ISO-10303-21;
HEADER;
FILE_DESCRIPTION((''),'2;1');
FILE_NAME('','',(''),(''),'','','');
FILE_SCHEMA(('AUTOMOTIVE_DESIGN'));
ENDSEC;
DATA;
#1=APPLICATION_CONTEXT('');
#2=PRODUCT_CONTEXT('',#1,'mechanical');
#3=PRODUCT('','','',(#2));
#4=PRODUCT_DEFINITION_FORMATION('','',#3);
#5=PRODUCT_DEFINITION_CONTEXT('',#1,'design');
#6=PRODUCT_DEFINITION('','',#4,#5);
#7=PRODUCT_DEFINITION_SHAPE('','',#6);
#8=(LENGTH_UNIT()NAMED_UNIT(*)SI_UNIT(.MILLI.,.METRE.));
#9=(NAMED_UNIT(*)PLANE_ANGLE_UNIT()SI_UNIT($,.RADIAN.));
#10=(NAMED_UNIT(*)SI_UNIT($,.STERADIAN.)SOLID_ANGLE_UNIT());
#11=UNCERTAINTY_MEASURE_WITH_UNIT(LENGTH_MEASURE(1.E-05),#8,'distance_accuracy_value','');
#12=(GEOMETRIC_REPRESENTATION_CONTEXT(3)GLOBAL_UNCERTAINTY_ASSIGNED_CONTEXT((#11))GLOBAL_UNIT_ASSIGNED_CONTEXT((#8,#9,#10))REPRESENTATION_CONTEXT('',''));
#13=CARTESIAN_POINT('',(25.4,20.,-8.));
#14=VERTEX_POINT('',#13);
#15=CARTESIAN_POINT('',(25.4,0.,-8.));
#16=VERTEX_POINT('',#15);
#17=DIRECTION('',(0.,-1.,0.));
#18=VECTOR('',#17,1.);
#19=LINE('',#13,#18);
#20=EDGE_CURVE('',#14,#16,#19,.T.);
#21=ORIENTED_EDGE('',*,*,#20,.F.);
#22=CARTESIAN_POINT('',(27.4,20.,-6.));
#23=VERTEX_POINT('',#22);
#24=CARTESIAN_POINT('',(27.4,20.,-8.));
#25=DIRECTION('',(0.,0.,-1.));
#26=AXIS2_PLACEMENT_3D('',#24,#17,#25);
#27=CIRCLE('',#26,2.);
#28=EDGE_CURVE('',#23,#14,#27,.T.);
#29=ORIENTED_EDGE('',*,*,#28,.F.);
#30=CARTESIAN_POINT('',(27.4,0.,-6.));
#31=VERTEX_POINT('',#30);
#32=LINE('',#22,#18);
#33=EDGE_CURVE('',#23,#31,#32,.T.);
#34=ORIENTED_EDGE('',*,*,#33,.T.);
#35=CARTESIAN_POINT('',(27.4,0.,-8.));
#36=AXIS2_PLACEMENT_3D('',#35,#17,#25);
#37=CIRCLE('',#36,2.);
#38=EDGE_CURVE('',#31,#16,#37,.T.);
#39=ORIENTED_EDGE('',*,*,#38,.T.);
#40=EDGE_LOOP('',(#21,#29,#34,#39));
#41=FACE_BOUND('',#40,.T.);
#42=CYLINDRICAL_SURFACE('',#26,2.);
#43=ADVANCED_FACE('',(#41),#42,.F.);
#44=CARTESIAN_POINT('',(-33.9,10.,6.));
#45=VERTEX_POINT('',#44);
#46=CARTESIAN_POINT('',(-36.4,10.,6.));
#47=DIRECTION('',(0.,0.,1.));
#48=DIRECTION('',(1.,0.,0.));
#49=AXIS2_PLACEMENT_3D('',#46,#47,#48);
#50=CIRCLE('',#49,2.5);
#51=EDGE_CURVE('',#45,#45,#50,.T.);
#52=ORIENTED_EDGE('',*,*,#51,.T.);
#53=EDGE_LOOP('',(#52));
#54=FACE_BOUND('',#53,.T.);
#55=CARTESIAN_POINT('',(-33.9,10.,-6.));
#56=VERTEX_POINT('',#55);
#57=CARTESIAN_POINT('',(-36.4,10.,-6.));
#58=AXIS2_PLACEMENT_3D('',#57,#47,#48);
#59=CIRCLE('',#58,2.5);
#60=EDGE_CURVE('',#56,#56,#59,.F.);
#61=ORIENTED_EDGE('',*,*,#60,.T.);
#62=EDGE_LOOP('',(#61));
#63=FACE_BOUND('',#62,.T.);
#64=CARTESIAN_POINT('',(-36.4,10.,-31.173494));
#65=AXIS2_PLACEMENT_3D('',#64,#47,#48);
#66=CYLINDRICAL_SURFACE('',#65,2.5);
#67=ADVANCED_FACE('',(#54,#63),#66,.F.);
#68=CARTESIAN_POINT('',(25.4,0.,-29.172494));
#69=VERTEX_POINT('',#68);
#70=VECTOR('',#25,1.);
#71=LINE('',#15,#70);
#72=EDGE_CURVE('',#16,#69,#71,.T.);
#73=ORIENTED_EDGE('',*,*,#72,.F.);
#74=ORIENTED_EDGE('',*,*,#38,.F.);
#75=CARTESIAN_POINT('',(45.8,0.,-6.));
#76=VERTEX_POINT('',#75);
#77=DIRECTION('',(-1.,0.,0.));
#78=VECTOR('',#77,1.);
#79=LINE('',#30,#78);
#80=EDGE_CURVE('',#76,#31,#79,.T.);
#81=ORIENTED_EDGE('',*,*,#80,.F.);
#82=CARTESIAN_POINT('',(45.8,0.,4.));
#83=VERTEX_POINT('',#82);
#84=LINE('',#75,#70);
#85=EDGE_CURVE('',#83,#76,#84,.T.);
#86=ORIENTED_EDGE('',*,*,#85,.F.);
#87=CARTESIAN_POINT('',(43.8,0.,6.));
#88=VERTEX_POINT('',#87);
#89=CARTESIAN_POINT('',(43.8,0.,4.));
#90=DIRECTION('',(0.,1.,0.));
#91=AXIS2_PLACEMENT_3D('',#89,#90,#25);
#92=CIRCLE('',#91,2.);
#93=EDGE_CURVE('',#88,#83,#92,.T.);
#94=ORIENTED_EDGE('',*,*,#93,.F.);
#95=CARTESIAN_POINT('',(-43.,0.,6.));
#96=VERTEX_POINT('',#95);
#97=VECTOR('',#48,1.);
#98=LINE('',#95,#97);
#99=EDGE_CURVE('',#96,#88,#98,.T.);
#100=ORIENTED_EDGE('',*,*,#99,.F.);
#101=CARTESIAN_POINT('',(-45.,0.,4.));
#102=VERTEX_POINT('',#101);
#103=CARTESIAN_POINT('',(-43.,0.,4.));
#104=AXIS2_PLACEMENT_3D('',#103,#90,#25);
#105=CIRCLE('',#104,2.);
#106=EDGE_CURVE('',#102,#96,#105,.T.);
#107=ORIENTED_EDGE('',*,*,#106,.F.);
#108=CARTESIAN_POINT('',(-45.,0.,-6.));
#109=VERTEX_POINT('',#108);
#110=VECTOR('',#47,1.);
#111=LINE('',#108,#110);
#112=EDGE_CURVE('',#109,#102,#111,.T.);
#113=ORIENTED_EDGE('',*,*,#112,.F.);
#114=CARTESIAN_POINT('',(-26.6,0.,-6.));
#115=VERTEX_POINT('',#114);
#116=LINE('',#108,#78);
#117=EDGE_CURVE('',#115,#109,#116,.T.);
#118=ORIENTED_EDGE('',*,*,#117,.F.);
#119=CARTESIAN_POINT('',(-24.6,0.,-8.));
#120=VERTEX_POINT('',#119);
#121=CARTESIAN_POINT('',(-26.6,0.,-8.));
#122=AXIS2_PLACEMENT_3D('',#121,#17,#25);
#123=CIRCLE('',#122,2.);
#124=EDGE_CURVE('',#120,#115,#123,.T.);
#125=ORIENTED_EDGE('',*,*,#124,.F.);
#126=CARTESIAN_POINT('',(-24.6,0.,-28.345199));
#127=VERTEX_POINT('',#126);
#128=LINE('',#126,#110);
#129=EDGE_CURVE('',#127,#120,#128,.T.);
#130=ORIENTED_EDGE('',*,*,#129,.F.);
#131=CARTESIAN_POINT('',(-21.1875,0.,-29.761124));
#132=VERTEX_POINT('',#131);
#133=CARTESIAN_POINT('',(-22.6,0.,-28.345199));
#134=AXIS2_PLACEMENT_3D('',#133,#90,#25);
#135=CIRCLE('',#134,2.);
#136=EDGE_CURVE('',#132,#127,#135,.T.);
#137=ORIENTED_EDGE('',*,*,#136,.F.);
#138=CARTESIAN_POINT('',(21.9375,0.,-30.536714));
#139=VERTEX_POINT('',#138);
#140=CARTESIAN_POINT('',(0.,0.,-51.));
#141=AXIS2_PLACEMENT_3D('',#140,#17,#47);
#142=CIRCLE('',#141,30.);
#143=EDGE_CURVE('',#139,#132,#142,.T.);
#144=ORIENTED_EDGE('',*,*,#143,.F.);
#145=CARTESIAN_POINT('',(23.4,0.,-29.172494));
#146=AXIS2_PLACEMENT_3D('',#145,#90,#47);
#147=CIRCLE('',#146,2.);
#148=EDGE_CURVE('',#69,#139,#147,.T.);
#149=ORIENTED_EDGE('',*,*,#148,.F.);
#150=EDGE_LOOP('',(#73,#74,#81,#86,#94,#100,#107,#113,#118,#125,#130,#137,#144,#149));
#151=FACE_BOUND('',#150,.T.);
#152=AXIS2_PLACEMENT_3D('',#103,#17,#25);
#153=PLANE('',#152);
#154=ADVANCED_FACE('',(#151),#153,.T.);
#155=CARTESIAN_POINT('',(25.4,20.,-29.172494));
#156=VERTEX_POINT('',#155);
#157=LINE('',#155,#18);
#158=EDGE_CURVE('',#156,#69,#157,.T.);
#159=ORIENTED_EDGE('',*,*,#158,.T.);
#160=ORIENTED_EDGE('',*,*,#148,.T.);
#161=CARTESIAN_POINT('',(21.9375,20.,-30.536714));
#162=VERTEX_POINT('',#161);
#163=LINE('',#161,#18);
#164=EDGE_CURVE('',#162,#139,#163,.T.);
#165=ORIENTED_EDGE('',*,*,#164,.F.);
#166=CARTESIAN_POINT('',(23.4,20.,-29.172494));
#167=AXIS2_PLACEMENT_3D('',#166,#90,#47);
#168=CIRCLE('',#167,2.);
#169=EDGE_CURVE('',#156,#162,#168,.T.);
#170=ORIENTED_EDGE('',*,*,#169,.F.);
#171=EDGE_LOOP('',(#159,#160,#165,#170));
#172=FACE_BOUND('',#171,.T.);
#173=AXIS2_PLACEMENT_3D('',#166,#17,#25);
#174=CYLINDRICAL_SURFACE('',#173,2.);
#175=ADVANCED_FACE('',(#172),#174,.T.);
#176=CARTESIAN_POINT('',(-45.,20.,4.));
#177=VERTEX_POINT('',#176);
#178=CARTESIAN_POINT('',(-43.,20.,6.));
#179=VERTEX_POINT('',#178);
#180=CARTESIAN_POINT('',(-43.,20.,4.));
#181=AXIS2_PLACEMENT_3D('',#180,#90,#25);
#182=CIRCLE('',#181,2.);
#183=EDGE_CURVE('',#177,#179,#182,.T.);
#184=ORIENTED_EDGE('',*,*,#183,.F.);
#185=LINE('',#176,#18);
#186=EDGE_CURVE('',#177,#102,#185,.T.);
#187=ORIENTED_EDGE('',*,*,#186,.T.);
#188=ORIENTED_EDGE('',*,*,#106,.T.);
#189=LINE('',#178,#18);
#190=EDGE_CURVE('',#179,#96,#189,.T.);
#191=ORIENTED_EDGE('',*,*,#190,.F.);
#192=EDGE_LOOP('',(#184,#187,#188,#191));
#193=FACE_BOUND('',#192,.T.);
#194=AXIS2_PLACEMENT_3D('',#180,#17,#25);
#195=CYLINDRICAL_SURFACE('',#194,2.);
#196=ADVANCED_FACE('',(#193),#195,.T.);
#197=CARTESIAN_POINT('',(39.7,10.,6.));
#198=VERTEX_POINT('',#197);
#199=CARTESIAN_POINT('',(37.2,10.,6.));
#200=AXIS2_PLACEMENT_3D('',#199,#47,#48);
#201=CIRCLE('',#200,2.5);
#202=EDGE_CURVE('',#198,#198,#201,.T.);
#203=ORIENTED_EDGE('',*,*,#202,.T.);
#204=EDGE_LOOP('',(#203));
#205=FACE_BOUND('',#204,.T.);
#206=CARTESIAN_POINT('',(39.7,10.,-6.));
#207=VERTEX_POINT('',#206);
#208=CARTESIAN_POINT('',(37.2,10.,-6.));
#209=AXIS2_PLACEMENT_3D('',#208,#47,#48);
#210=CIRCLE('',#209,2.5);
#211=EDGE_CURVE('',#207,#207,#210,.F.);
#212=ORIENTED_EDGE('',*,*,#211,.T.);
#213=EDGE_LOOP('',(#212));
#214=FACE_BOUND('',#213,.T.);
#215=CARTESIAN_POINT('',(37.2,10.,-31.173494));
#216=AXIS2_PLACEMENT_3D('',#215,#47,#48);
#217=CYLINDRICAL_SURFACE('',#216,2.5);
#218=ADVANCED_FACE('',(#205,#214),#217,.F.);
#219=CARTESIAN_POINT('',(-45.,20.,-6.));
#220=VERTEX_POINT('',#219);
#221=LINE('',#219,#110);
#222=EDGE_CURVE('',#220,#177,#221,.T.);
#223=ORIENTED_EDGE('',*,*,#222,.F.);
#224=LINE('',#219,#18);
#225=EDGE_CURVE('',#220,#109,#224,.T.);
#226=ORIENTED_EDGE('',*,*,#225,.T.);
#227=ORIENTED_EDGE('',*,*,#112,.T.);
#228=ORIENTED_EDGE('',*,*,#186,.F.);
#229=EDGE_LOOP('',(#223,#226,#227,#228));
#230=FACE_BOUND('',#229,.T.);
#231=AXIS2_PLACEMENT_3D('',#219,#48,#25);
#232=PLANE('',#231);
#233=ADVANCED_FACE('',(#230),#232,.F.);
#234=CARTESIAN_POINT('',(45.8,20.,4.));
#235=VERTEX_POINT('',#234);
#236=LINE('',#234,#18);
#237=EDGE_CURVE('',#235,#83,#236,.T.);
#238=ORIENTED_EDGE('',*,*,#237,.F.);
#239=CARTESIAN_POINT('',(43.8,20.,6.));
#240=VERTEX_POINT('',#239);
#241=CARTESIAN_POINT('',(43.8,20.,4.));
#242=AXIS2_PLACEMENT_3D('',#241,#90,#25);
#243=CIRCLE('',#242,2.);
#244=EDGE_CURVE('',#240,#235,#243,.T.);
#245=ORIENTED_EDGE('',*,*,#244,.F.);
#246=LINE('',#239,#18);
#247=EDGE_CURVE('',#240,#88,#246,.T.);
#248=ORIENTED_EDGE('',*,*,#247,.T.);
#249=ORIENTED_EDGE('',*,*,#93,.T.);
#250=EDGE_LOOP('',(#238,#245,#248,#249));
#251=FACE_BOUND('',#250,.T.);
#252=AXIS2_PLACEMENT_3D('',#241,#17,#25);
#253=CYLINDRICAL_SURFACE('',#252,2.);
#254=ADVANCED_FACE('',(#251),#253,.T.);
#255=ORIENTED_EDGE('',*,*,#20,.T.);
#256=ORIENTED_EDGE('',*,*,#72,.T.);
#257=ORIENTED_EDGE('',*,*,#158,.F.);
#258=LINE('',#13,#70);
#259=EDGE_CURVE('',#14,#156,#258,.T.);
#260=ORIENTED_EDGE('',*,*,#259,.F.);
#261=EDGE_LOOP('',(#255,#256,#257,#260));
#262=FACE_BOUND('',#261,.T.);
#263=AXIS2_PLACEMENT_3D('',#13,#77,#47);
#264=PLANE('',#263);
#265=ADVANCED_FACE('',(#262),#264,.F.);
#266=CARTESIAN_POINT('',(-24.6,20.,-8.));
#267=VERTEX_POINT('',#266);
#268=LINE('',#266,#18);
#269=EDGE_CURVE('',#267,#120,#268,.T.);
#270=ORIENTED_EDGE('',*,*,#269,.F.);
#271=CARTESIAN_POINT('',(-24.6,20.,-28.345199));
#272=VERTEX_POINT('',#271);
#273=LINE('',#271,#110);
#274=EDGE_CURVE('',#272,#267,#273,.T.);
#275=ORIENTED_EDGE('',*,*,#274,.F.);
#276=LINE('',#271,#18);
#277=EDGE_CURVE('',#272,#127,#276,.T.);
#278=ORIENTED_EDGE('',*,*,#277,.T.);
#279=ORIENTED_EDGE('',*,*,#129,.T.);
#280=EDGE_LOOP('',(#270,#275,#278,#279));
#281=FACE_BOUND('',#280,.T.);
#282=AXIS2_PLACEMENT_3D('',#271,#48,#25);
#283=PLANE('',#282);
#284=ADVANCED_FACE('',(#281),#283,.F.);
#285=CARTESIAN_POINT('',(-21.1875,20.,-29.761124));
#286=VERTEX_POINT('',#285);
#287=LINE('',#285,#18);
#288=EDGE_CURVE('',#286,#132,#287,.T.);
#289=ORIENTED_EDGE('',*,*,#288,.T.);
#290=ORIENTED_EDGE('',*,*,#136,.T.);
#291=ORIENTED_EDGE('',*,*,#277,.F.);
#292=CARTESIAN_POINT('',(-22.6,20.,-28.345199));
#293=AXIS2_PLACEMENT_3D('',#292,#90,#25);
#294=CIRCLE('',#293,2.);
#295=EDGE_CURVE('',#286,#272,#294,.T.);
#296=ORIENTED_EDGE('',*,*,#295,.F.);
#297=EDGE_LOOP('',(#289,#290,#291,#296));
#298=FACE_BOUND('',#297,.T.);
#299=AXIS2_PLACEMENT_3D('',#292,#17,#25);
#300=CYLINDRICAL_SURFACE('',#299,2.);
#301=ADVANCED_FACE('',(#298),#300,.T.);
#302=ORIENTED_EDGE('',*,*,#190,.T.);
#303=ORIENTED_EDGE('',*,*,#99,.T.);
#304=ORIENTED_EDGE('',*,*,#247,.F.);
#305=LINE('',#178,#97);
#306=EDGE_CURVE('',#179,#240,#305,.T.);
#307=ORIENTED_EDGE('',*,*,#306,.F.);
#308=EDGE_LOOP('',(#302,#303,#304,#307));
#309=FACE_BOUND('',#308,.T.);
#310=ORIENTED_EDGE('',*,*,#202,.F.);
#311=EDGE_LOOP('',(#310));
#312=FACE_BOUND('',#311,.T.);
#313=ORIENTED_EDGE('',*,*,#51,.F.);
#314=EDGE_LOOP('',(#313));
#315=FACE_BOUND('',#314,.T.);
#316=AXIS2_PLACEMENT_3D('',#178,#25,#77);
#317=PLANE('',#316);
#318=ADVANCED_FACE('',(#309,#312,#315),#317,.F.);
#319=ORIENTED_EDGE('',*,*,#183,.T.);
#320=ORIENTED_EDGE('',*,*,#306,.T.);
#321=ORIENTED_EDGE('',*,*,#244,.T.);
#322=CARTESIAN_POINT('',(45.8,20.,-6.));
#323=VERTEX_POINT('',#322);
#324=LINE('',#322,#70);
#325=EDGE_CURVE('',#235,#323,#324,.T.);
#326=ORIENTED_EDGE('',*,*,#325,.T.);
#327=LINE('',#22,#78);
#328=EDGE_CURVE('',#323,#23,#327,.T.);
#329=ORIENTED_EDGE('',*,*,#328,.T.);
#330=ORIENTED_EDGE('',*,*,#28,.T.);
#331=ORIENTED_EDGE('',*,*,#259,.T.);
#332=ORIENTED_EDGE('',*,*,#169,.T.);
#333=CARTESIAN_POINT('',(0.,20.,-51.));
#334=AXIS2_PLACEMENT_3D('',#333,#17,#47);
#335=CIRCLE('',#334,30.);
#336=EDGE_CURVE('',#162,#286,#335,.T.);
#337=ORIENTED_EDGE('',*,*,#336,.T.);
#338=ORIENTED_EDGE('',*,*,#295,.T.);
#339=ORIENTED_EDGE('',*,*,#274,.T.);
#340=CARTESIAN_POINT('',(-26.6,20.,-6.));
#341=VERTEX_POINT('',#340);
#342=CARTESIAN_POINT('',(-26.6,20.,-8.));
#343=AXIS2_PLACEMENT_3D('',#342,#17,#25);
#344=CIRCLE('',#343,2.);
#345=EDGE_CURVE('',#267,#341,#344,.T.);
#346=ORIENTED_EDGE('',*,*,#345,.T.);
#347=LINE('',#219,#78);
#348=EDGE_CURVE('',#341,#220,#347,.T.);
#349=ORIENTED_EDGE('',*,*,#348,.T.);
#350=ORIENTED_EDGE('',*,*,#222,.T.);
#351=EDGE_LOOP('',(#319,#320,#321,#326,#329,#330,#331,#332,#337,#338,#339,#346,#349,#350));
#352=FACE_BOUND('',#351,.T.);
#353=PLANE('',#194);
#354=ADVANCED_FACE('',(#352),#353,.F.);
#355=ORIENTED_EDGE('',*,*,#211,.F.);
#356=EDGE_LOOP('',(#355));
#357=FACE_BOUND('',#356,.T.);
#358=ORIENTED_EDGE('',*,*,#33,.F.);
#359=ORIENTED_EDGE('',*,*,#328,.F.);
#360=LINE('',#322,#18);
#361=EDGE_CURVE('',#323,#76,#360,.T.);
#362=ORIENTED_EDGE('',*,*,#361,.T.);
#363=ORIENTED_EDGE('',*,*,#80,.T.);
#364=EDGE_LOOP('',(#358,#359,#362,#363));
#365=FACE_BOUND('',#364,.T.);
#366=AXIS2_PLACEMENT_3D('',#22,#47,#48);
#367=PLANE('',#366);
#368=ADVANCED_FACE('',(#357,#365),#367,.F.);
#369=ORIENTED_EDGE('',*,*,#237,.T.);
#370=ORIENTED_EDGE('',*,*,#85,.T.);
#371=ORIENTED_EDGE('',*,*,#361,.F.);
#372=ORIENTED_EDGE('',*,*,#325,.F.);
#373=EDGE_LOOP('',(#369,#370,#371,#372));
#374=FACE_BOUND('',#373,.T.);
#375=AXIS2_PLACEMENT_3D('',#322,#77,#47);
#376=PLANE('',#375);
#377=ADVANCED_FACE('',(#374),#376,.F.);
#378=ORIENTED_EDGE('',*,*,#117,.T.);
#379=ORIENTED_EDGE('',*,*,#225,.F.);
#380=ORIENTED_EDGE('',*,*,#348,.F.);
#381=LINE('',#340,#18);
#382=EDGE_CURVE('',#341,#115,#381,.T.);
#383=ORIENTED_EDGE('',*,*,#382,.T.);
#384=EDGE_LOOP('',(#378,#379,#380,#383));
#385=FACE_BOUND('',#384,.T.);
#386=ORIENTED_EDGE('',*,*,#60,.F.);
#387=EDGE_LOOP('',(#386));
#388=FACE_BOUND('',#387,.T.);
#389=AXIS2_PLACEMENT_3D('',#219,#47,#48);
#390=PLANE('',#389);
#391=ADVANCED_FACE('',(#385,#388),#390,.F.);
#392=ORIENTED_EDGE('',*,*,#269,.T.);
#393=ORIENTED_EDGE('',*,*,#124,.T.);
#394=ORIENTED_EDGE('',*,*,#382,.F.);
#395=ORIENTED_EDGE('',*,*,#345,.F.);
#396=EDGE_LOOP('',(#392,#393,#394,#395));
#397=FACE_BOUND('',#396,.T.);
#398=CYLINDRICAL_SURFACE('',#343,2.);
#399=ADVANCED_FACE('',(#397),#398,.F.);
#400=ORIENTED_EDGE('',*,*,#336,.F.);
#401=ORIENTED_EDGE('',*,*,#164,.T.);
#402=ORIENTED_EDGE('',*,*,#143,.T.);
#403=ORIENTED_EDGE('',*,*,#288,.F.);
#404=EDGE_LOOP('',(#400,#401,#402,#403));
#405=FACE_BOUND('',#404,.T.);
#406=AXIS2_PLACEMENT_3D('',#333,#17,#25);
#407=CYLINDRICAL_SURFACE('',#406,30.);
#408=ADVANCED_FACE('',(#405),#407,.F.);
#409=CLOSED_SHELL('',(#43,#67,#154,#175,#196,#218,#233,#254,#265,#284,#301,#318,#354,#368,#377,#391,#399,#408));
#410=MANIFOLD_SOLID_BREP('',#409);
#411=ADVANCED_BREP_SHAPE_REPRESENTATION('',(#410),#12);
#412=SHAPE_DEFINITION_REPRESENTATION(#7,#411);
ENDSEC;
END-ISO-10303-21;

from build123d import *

# Parameters (mm, degrees)
BOSS_EXTRUDE1_DEPTH = 20
CUT_EXTRUDE1_REACH  = 64.285
SKETCH3_R           = 2.5


with BuildPart() as part:
    # Sketch2 → Boss-Extrude1 (new body)
    with BuildSketch(Plane(origin=(0, 0, 0), x_dir=(1, 0, 0), z_dir=(0, 1, 0))):
        with BuildLine():
            Line((-24.6, 28.345199184), (-24.6, 8))
            ThreePointArc((-24.6, 8), (-25.185786438, 6.585786438), (-26.6, 6))
            Line((-26.6, 6), (-45, 6))
            Line((-45, 6), (-45, -4))
            ThreePointArc((-45, -4), (-44.414213562, -5.414213562), (-43, -6))
            Line((-43, -6), (43.8, -6))
            ThreePointArc((43.8, -6), (45.214213562, -5.414213562), (45.8, -4))
            Line((45.8, -4), (45.8, 6))
            Line((45.8, 6), (27.4, 6))
            ThreePointArc((27.4, 6), (25.985786438, 6.585786438), (25.4, 8))
            Line((25.4, 8), (25.4, 29.172494416))
            ThreePointArc((25.4, 29.172494416), (24.133143915, 31.033273823), (21.9375, 30.536713515))
            ThreePointArc((21.9375, 30.536713515), (0.539453133, 21.004850554), (-21.1875, 29.761124235))
            ThreePointArc((-21.1875, 29.761124235), (-23.366485486, 30.192494504), (-24.6, 28.345199184))
        make_face()
    extrude(amount=BOSS_EXTRUDE1_DEPTH)

    # Sketch3 → Cut-Extrude1 (cut, up to next)
    with BuildSketch(Plane.XY.offset(6), mode=Mode.PRIVATE) as cut_extrude1_sk1:
        with Locations((-36.4, 10)):
            Circle(SKETCH3_R)
    cut_extrude1_tool1 = extrude(cut_extrude1_sk1.sketch, amount=-CUT_EXTRUDE1_REACH, mode=Mode.PRIVATE) & part.part
    # Sketch3 → Cut-Extrude1 (cut, up to next)
    with BuildSketch(Plane.XY.offset(6), mode=Mode.PRIVATE) as cut_extrude1_sk2:
        with Locations((37.2, 10)):
            Circle(SKETCH3_R)
    cut_extrude1_tool2 = extrude(cut_extrude1_sk2.sketch, amount=-CUT_EXTRUDE1_REACH, mode=Mode.PRIVATE) & part.part
    add(cut_extrude1_tool1.solids().sort_by_distance((-36.4, 10, 6))[0], mode=Mode.SUBTRACT)
    add(cut_extrude1_tool2.solids().sort_by_distance((37.2, 10, 6))[0], mode=Mode.SUBTRACT)


solid = part.part
